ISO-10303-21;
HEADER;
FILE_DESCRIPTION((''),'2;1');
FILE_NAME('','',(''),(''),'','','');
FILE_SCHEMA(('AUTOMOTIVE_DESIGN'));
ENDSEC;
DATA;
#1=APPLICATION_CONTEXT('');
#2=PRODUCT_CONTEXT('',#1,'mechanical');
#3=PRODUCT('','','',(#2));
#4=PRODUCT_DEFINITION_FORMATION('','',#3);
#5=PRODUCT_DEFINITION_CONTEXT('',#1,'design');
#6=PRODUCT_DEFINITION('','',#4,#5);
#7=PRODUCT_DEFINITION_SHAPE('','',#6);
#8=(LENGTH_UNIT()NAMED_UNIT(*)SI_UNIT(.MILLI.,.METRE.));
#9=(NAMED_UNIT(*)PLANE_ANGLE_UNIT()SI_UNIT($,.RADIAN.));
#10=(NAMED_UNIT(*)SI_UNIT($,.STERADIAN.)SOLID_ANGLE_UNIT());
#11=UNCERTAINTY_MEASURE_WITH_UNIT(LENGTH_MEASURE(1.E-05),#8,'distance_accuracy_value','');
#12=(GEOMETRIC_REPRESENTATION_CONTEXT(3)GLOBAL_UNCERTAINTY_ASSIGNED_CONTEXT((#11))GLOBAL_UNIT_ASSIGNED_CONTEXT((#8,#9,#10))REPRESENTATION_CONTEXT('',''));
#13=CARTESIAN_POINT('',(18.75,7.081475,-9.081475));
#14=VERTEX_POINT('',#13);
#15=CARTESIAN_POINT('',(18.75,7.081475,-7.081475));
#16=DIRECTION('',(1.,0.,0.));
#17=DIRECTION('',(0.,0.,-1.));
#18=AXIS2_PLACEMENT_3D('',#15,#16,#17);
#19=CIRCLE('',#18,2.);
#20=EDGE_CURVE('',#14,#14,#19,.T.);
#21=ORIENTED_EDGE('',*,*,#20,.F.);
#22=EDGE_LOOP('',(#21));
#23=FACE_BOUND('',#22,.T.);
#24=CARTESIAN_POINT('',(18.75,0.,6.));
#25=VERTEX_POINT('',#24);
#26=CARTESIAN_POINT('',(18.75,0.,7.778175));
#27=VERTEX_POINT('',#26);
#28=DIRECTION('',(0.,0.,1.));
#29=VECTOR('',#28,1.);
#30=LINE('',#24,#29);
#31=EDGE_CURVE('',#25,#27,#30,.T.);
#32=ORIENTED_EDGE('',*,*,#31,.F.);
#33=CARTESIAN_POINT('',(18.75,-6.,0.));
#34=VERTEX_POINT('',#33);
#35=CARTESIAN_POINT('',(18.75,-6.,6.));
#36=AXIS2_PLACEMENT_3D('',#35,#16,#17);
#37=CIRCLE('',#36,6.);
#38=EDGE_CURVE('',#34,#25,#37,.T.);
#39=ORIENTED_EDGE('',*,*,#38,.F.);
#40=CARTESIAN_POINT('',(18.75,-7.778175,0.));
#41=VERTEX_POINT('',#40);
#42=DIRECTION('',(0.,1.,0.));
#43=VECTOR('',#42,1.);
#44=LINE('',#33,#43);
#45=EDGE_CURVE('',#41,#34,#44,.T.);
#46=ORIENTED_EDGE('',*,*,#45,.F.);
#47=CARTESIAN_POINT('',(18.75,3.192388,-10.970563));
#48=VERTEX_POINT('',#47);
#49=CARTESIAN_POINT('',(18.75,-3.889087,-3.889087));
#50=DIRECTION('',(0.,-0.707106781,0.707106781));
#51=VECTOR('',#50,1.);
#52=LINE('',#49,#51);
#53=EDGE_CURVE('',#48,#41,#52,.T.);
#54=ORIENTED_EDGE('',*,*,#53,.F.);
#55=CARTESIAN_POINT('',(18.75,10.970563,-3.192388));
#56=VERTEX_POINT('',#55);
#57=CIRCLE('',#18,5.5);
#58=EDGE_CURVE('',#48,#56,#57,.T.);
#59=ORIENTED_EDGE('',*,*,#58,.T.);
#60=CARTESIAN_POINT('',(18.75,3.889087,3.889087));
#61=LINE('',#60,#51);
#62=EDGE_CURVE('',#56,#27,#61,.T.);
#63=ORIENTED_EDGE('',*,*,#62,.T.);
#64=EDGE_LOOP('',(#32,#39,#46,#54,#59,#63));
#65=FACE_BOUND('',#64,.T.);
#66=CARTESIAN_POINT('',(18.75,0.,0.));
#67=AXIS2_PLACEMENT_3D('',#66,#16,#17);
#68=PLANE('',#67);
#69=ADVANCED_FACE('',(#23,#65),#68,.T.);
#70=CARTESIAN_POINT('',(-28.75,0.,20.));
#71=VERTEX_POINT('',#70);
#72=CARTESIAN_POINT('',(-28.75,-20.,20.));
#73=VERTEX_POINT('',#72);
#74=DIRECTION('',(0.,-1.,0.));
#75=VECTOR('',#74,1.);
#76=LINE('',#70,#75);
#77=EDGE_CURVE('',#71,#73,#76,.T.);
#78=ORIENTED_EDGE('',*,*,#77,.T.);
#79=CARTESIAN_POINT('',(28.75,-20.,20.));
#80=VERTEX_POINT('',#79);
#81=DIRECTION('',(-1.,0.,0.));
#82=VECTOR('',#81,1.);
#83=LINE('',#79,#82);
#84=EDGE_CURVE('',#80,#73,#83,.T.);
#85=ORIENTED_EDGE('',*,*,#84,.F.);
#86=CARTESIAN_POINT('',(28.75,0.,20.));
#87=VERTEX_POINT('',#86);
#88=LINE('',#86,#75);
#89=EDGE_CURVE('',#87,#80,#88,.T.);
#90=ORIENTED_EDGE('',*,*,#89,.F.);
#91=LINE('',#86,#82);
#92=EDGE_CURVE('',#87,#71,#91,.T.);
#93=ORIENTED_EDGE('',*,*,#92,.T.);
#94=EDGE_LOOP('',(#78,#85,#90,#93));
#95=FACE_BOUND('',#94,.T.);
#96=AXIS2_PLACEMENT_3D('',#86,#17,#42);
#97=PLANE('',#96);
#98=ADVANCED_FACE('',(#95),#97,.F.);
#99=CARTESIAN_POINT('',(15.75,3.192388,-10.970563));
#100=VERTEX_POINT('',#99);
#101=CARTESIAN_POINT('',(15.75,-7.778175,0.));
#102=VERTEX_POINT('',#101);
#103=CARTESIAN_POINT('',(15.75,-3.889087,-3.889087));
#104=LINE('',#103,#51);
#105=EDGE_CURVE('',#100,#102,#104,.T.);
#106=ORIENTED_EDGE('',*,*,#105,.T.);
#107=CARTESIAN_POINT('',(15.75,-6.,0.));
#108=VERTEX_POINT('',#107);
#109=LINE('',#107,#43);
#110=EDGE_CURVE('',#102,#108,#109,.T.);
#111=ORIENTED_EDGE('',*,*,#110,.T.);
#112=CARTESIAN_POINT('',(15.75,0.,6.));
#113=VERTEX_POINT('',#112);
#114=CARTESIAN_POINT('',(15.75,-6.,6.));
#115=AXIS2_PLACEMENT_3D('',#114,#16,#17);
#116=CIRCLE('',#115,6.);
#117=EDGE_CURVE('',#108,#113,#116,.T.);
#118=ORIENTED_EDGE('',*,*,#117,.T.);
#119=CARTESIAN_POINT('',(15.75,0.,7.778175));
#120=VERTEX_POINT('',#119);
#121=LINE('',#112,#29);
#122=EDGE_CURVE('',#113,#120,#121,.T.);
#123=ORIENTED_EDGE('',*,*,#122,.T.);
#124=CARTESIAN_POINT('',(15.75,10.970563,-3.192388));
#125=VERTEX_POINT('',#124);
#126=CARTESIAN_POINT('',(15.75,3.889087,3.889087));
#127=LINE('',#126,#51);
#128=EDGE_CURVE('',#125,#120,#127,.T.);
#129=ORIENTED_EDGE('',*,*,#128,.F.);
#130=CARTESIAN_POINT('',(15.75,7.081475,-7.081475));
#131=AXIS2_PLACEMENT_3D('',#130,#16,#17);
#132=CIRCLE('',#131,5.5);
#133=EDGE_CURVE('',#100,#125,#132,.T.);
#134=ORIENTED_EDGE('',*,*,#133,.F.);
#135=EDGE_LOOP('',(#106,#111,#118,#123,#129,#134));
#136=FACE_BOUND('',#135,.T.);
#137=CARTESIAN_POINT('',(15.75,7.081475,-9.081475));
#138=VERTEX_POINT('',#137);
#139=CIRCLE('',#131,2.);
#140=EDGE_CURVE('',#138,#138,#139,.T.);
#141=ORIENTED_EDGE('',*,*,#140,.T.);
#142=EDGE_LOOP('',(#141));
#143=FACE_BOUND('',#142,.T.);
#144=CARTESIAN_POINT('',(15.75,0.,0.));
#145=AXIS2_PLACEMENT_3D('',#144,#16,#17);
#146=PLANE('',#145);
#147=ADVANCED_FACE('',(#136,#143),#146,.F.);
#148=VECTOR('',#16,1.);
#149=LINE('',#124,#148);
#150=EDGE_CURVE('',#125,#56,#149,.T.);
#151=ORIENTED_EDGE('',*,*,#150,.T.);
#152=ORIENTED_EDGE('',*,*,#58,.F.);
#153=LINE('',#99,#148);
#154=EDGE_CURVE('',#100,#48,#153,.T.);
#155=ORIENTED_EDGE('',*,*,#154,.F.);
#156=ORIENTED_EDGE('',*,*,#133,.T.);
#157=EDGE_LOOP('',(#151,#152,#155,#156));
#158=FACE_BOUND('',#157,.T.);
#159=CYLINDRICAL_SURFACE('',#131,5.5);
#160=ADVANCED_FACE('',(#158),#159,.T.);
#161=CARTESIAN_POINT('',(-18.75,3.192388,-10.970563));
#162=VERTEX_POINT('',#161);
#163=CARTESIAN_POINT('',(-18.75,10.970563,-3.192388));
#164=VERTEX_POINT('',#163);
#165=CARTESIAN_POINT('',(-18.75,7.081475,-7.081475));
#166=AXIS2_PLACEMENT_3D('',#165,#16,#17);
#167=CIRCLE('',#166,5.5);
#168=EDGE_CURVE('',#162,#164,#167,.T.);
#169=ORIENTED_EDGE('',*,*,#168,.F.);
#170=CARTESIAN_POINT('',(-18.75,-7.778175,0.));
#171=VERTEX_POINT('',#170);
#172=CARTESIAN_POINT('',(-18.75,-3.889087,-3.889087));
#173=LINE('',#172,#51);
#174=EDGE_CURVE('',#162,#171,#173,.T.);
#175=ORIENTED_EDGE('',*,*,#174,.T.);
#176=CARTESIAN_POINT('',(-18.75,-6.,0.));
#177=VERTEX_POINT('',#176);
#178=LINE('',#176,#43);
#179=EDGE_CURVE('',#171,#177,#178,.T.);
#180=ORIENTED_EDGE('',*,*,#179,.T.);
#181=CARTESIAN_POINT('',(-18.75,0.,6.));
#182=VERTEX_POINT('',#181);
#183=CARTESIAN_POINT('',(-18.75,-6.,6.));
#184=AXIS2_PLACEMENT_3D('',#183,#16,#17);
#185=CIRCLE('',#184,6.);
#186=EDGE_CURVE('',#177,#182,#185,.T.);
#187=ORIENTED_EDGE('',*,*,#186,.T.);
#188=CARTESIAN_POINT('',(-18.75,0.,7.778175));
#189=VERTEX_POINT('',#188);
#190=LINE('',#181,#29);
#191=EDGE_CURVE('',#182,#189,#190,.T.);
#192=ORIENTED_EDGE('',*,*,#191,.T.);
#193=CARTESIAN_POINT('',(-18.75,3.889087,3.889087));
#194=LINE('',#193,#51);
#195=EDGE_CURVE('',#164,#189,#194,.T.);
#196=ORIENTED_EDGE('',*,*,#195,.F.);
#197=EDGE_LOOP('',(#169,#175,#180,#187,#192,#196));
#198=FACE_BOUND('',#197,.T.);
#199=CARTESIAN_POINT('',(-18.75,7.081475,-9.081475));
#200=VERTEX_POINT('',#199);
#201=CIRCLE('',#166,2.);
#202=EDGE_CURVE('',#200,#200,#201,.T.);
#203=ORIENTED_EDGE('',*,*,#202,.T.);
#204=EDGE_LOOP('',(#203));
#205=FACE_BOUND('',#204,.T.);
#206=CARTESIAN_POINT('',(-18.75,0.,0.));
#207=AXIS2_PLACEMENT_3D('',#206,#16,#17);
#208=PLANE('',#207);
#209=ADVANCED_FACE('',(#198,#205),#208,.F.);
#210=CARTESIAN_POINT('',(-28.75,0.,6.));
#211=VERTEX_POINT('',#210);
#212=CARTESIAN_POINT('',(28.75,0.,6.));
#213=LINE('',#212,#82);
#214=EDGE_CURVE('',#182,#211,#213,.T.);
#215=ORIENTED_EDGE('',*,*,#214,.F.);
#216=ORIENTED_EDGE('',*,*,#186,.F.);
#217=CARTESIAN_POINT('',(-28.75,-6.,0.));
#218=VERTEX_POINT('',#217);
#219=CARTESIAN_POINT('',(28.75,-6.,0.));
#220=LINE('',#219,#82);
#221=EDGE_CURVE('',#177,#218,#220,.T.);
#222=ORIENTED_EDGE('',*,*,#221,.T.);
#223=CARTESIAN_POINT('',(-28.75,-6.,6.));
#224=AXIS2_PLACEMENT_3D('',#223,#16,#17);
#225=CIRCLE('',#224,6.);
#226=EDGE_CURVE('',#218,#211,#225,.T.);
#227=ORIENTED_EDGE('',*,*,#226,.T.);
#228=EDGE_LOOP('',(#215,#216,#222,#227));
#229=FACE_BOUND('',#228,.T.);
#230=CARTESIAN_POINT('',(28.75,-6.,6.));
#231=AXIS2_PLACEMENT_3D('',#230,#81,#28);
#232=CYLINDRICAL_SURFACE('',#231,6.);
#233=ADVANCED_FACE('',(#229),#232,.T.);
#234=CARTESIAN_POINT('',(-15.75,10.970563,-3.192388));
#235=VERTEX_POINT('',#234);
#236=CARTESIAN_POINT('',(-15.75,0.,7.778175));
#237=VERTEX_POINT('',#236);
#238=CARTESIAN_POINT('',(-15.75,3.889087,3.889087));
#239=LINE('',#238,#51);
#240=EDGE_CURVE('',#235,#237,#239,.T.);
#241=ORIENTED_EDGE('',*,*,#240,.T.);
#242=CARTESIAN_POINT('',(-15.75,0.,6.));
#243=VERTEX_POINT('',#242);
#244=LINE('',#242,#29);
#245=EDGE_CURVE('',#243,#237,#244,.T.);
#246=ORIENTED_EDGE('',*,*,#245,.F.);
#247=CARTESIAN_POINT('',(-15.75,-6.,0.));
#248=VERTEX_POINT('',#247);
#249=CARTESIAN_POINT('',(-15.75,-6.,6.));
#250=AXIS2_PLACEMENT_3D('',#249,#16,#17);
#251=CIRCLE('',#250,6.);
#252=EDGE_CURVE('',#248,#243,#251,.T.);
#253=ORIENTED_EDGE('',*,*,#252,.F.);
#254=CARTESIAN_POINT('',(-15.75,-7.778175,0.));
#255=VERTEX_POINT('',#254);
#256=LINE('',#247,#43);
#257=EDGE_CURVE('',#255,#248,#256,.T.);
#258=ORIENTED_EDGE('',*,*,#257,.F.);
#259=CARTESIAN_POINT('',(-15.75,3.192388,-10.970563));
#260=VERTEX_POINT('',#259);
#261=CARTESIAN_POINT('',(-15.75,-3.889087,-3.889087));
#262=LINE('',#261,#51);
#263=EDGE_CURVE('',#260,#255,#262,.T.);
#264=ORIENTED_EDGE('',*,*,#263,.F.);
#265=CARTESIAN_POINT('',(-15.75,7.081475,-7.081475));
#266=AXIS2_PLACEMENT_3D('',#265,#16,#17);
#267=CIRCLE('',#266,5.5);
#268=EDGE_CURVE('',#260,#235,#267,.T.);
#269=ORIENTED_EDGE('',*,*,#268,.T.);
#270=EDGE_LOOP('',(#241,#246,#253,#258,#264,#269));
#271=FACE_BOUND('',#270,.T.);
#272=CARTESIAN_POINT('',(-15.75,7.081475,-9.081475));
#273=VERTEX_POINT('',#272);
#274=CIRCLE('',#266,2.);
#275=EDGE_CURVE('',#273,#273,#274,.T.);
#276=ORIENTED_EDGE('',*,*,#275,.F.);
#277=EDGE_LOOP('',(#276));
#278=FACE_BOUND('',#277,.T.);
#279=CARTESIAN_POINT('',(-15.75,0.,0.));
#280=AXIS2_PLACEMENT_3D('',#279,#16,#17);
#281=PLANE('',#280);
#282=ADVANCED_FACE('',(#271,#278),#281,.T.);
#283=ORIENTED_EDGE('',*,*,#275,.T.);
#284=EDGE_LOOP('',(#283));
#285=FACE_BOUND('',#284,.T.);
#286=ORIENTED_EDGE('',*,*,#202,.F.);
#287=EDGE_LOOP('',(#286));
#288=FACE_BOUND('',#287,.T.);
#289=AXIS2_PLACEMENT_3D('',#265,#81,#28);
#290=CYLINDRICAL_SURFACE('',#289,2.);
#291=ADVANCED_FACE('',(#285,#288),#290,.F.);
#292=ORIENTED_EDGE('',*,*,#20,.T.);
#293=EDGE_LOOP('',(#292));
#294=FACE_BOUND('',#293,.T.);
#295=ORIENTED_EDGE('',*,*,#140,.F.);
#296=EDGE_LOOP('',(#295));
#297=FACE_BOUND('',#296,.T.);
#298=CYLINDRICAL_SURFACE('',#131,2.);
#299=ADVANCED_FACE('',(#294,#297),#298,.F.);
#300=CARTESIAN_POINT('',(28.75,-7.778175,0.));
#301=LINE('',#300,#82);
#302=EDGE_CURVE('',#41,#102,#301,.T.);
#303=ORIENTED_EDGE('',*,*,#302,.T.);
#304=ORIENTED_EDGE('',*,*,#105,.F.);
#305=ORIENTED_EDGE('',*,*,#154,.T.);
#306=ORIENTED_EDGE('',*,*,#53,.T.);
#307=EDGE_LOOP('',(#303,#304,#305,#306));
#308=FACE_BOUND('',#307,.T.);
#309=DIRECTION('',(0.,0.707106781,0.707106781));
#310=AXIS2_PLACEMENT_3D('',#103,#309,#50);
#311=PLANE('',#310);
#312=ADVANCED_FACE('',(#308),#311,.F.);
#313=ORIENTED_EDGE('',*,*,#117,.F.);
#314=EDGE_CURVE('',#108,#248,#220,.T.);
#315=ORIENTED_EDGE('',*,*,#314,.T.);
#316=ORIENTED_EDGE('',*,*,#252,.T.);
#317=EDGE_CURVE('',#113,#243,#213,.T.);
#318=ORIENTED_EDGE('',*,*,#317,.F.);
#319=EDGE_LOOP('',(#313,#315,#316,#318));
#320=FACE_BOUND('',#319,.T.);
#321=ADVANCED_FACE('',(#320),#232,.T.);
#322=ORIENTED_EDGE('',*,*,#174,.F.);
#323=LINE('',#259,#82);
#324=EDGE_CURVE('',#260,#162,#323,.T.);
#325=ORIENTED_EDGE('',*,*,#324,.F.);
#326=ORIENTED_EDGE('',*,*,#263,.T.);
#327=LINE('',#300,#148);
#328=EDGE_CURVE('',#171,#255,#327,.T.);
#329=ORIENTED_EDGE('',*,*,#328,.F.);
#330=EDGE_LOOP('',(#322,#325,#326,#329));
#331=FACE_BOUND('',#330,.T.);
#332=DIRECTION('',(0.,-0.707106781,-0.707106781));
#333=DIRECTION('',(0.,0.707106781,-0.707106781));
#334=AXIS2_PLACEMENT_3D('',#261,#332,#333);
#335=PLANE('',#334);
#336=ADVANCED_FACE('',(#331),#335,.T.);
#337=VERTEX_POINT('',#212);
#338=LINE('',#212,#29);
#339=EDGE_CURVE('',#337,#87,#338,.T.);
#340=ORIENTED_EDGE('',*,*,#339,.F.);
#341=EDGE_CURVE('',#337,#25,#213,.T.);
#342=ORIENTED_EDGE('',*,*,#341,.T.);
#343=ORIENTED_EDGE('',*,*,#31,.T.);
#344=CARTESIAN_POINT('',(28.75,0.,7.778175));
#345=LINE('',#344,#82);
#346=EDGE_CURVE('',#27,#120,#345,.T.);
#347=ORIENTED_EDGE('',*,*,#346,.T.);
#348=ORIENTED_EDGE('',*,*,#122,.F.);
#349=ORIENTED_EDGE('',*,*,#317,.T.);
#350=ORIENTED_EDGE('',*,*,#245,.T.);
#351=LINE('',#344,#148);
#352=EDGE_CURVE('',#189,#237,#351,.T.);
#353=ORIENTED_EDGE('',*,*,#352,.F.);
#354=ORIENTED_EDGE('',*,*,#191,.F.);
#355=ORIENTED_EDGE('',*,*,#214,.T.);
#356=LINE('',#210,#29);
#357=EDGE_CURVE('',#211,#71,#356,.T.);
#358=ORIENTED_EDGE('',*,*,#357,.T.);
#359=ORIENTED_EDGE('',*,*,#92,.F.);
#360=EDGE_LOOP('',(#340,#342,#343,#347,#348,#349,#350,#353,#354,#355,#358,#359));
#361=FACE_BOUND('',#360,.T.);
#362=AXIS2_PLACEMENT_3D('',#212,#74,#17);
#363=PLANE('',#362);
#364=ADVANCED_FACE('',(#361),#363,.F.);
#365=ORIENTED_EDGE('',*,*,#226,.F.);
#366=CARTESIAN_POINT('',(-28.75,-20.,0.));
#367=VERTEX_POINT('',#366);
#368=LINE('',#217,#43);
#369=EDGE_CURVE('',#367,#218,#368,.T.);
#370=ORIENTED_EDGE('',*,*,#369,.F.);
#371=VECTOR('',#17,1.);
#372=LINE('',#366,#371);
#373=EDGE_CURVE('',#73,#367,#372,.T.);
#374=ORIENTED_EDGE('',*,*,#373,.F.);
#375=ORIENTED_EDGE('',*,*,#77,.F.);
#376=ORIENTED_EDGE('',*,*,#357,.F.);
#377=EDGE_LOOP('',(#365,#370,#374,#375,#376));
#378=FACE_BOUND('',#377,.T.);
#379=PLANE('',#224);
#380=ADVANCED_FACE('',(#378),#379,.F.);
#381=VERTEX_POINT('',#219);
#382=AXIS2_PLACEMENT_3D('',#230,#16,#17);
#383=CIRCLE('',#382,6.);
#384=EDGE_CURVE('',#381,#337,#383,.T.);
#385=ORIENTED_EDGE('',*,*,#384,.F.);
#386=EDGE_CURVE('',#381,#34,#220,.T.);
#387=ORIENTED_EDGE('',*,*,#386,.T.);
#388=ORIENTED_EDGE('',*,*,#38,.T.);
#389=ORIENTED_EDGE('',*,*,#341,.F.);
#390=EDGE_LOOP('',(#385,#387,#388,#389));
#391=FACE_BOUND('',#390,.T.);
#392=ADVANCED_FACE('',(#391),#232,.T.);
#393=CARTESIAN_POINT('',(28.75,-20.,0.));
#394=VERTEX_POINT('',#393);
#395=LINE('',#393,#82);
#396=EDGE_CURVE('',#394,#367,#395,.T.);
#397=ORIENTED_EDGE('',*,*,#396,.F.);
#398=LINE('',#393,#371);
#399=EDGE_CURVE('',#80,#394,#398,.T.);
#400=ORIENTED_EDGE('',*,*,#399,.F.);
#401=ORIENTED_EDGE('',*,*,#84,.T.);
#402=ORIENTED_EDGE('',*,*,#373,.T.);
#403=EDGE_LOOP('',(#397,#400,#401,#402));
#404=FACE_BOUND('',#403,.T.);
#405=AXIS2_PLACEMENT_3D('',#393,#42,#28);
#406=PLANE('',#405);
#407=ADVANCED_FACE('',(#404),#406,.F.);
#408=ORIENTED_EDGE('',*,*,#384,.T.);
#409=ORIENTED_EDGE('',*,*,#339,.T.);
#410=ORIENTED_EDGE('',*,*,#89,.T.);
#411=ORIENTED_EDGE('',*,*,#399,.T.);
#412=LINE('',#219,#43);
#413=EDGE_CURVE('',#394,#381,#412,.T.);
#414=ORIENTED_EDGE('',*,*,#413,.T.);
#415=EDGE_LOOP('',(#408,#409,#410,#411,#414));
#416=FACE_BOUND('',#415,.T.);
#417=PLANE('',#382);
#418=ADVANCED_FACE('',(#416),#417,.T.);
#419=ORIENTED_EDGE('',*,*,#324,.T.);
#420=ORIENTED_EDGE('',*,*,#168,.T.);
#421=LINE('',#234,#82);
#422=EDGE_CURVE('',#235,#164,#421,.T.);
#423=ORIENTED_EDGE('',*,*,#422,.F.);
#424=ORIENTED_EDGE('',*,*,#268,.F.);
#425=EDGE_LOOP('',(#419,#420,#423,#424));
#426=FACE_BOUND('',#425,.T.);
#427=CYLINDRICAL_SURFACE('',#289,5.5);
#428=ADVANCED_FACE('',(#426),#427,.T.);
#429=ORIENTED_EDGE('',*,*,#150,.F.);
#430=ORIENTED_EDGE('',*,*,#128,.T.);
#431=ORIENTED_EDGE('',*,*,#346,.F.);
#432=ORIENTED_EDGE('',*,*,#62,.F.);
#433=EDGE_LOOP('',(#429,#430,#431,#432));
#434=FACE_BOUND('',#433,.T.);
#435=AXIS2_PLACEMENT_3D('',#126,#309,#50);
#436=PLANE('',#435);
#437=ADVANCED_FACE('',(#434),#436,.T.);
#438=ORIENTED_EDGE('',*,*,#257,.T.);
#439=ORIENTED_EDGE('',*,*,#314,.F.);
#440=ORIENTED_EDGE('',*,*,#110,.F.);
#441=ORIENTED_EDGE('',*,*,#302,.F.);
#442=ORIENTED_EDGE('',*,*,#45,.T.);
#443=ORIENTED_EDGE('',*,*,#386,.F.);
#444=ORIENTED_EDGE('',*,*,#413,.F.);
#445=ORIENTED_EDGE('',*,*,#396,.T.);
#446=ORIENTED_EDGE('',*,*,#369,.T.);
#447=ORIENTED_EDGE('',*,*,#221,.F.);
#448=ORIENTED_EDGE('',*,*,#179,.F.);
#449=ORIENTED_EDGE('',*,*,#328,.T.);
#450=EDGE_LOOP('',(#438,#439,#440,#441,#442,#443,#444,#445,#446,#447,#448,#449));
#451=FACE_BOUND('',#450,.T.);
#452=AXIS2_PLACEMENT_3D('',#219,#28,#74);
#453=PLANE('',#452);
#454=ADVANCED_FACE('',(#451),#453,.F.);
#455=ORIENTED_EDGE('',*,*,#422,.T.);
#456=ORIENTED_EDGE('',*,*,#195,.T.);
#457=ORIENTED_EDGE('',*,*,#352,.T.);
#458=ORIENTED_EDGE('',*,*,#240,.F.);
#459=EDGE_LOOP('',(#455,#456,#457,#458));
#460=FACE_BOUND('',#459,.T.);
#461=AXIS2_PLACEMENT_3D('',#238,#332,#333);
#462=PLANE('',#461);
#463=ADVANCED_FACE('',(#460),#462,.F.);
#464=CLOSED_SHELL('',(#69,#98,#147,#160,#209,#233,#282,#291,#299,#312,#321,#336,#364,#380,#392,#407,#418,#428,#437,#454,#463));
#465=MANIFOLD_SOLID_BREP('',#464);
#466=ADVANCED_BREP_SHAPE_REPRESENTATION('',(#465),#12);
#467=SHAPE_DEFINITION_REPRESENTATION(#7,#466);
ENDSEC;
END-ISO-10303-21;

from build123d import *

# Parameters (mm, degrees)
EXTRUDE1_DEPTH = 28.75
EXTRUDE2_START = 18.75
SKETCH2_R      = 2
EXTRUDE2_DEPTH = 3
EXTRUDE3_START = -15.75
SKETCH_R       = 2
EXTRUDE3_DEPTH = 3


with BuildPart() as part:
    # Sketch1 → Extrude1 (new, symmetric)
    with BuildSketch(Plane(origin=(0, 0, 0), x_dir=(0, 0, -1), z_dir=(1, 0, 0))):
        with BuildLine():
            Line((-6, 0), (-20, 0))
            Line((-20, 0), (-20, -20))
            Line((-20, -20), (0, -20))
            Line((0, -20), (0, -6))
            ThreePointArc((0, -6), (-1.757359313, -1.757359313), (-6, 0))
        make_face()
    extrude(amount=EXTRUDE1_DEPTH, both=True)

    # Sketch2 → Extrude2 (add)
    with BuildSketch(Plane(origin=(0, 0, 0), x_dir=(0, 0, -1), z_dir=(1, 0, 0)).offset(EXTRUDE2_START)):
        with BuildLine():
            Line((-6.707106781, -14.485281374), (10.970562748, 3.192388155))
            ThreePointArc((10.970562748, 3.192388155), (10.970562748, 10.970562748), (3.192388155, 10.970562748))
            Line((3.192388155, 10.970562748), (-14.485281374, -6.707106781))
            Line((-14.485281374, -6.707106781), (-6.707106781, -14.485281374))
        make_face()
        with Locations((7.081475452, 7.081475452)):
            Circle(SKETCH2_R, mode=Mode.SUBTRACT)
    extrude(amount=-EXTRUDE2_DEPTH)

    # Sketch → Extrude3 (add)
    with BuildSketch(Plane(origin=(0, 0, 0), x_dir=(0, 0, -1), z_dir=(1, 0, 0)).offset(EXTRUDE3_START)):
        with BuildLine():
            Line((-6.707106781, -14.485281374), (10.970562748, 3.192388155))
            ThreePointArc((10.970562748, 3.192388155), (10.970562748, 10.970562748), (3.192388155, 10.970562748))
            Line((3.192388155, 10.970562748), (-14.485281374, -6.707106781))
            Line((-14.485281374, -6.707106781), (-6.707106781, -14.485281374))
        make_face()
        with Locations((7.081475452, 7.081475452)):
            Circle(SKETCH_R, mode=Mode.SUBTRACT)
    extrude(amount=-EXTRUDE3_DEPTH)


solid = part.part
